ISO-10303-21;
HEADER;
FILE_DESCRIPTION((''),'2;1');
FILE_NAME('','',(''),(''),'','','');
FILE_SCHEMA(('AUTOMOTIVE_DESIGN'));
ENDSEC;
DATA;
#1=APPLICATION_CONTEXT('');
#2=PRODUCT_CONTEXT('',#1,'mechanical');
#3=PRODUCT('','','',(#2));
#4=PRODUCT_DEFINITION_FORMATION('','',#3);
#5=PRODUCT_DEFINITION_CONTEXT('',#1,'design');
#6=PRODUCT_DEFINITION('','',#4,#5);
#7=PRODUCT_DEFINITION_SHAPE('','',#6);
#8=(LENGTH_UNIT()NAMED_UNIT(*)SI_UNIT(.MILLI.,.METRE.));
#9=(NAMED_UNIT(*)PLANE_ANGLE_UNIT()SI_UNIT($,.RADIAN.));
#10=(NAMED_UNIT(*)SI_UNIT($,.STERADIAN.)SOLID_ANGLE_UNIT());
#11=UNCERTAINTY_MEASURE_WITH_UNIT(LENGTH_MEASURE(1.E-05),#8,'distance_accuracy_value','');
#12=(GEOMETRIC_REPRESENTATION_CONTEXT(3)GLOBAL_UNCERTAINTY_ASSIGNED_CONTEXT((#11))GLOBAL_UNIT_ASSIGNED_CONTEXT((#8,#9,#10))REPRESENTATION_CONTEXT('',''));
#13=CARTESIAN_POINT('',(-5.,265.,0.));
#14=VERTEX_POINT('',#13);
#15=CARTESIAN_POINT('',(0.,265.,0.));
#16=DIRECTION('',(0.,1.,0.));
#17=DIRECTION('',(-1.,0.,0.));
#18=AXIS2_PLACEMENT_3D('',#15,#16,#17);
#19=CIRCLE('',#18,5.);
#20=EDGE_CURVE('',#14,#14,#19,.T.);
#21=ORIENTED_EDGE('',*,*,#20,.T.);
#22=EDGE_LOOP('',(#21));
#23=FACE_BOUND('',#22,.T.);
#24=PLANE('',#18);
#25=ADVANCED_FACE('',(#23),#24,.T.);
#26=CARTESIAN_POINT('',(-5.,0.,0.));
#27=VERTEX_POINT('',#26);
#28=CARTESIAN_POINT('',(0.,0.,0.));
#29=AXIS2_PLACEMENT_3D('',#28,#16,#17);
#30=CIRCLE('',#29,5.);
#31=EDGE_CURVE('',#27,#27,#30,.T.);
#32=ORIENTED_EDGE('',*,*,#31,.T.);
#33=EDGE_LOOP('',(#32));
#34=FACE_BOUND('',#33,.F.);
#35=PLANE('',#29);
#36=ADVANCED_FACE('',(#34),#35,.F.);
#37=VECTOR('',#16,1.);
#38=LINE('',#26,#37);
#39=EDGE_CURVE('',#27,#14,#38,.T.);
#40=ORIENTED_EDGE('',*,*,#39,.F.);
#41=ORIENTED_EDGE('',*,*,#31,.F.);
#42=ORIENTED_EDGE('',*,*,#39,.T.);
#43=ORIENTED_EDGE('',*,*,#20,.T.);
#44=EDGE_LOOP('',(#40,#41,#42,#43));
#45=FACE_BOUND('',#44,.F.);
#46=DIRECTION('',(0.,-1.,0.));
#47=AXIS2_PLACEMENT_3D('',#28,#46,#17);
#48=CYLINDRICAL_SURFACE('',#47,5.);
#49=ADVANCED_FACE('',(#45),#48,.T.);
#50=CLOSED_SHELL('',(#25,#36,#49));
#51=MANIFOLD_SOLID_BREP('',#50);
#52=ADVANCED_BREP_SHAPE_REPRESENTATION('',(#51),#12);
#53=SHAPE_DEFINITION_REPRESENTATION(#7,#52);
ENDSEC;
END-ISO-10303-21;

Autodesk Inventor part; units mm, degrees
ref_plane "YZ Plane" through (0, 0, 0) normal (1, 0, 0) x (0, 1, 0)
ref_plane "XZ Plane" through (0, 0, 0) normal (0, 1, 0) x (-1, 0, 0)
ref_plane "XY Plane" through (0, 0, 0) normal (0, 0, 1) x (1, 0, 0)
sketch "Szkic1" plane through (0, 0, 0) normal (0, 1, 0) x (-1, 0, 0)
  circle A0 centre (0, 0) radius 5
  dimension "d0" = 10
extrude "Wyciągnięcie proste1" add sketch "Szkic1" along normal blind 265
thread "Gwint1" size "TR10x2" class "7e" standard "ISO Metric Trapezoidal Threads" full length
properties part number "Śruba trapezowa 16x2 - oś Z"
